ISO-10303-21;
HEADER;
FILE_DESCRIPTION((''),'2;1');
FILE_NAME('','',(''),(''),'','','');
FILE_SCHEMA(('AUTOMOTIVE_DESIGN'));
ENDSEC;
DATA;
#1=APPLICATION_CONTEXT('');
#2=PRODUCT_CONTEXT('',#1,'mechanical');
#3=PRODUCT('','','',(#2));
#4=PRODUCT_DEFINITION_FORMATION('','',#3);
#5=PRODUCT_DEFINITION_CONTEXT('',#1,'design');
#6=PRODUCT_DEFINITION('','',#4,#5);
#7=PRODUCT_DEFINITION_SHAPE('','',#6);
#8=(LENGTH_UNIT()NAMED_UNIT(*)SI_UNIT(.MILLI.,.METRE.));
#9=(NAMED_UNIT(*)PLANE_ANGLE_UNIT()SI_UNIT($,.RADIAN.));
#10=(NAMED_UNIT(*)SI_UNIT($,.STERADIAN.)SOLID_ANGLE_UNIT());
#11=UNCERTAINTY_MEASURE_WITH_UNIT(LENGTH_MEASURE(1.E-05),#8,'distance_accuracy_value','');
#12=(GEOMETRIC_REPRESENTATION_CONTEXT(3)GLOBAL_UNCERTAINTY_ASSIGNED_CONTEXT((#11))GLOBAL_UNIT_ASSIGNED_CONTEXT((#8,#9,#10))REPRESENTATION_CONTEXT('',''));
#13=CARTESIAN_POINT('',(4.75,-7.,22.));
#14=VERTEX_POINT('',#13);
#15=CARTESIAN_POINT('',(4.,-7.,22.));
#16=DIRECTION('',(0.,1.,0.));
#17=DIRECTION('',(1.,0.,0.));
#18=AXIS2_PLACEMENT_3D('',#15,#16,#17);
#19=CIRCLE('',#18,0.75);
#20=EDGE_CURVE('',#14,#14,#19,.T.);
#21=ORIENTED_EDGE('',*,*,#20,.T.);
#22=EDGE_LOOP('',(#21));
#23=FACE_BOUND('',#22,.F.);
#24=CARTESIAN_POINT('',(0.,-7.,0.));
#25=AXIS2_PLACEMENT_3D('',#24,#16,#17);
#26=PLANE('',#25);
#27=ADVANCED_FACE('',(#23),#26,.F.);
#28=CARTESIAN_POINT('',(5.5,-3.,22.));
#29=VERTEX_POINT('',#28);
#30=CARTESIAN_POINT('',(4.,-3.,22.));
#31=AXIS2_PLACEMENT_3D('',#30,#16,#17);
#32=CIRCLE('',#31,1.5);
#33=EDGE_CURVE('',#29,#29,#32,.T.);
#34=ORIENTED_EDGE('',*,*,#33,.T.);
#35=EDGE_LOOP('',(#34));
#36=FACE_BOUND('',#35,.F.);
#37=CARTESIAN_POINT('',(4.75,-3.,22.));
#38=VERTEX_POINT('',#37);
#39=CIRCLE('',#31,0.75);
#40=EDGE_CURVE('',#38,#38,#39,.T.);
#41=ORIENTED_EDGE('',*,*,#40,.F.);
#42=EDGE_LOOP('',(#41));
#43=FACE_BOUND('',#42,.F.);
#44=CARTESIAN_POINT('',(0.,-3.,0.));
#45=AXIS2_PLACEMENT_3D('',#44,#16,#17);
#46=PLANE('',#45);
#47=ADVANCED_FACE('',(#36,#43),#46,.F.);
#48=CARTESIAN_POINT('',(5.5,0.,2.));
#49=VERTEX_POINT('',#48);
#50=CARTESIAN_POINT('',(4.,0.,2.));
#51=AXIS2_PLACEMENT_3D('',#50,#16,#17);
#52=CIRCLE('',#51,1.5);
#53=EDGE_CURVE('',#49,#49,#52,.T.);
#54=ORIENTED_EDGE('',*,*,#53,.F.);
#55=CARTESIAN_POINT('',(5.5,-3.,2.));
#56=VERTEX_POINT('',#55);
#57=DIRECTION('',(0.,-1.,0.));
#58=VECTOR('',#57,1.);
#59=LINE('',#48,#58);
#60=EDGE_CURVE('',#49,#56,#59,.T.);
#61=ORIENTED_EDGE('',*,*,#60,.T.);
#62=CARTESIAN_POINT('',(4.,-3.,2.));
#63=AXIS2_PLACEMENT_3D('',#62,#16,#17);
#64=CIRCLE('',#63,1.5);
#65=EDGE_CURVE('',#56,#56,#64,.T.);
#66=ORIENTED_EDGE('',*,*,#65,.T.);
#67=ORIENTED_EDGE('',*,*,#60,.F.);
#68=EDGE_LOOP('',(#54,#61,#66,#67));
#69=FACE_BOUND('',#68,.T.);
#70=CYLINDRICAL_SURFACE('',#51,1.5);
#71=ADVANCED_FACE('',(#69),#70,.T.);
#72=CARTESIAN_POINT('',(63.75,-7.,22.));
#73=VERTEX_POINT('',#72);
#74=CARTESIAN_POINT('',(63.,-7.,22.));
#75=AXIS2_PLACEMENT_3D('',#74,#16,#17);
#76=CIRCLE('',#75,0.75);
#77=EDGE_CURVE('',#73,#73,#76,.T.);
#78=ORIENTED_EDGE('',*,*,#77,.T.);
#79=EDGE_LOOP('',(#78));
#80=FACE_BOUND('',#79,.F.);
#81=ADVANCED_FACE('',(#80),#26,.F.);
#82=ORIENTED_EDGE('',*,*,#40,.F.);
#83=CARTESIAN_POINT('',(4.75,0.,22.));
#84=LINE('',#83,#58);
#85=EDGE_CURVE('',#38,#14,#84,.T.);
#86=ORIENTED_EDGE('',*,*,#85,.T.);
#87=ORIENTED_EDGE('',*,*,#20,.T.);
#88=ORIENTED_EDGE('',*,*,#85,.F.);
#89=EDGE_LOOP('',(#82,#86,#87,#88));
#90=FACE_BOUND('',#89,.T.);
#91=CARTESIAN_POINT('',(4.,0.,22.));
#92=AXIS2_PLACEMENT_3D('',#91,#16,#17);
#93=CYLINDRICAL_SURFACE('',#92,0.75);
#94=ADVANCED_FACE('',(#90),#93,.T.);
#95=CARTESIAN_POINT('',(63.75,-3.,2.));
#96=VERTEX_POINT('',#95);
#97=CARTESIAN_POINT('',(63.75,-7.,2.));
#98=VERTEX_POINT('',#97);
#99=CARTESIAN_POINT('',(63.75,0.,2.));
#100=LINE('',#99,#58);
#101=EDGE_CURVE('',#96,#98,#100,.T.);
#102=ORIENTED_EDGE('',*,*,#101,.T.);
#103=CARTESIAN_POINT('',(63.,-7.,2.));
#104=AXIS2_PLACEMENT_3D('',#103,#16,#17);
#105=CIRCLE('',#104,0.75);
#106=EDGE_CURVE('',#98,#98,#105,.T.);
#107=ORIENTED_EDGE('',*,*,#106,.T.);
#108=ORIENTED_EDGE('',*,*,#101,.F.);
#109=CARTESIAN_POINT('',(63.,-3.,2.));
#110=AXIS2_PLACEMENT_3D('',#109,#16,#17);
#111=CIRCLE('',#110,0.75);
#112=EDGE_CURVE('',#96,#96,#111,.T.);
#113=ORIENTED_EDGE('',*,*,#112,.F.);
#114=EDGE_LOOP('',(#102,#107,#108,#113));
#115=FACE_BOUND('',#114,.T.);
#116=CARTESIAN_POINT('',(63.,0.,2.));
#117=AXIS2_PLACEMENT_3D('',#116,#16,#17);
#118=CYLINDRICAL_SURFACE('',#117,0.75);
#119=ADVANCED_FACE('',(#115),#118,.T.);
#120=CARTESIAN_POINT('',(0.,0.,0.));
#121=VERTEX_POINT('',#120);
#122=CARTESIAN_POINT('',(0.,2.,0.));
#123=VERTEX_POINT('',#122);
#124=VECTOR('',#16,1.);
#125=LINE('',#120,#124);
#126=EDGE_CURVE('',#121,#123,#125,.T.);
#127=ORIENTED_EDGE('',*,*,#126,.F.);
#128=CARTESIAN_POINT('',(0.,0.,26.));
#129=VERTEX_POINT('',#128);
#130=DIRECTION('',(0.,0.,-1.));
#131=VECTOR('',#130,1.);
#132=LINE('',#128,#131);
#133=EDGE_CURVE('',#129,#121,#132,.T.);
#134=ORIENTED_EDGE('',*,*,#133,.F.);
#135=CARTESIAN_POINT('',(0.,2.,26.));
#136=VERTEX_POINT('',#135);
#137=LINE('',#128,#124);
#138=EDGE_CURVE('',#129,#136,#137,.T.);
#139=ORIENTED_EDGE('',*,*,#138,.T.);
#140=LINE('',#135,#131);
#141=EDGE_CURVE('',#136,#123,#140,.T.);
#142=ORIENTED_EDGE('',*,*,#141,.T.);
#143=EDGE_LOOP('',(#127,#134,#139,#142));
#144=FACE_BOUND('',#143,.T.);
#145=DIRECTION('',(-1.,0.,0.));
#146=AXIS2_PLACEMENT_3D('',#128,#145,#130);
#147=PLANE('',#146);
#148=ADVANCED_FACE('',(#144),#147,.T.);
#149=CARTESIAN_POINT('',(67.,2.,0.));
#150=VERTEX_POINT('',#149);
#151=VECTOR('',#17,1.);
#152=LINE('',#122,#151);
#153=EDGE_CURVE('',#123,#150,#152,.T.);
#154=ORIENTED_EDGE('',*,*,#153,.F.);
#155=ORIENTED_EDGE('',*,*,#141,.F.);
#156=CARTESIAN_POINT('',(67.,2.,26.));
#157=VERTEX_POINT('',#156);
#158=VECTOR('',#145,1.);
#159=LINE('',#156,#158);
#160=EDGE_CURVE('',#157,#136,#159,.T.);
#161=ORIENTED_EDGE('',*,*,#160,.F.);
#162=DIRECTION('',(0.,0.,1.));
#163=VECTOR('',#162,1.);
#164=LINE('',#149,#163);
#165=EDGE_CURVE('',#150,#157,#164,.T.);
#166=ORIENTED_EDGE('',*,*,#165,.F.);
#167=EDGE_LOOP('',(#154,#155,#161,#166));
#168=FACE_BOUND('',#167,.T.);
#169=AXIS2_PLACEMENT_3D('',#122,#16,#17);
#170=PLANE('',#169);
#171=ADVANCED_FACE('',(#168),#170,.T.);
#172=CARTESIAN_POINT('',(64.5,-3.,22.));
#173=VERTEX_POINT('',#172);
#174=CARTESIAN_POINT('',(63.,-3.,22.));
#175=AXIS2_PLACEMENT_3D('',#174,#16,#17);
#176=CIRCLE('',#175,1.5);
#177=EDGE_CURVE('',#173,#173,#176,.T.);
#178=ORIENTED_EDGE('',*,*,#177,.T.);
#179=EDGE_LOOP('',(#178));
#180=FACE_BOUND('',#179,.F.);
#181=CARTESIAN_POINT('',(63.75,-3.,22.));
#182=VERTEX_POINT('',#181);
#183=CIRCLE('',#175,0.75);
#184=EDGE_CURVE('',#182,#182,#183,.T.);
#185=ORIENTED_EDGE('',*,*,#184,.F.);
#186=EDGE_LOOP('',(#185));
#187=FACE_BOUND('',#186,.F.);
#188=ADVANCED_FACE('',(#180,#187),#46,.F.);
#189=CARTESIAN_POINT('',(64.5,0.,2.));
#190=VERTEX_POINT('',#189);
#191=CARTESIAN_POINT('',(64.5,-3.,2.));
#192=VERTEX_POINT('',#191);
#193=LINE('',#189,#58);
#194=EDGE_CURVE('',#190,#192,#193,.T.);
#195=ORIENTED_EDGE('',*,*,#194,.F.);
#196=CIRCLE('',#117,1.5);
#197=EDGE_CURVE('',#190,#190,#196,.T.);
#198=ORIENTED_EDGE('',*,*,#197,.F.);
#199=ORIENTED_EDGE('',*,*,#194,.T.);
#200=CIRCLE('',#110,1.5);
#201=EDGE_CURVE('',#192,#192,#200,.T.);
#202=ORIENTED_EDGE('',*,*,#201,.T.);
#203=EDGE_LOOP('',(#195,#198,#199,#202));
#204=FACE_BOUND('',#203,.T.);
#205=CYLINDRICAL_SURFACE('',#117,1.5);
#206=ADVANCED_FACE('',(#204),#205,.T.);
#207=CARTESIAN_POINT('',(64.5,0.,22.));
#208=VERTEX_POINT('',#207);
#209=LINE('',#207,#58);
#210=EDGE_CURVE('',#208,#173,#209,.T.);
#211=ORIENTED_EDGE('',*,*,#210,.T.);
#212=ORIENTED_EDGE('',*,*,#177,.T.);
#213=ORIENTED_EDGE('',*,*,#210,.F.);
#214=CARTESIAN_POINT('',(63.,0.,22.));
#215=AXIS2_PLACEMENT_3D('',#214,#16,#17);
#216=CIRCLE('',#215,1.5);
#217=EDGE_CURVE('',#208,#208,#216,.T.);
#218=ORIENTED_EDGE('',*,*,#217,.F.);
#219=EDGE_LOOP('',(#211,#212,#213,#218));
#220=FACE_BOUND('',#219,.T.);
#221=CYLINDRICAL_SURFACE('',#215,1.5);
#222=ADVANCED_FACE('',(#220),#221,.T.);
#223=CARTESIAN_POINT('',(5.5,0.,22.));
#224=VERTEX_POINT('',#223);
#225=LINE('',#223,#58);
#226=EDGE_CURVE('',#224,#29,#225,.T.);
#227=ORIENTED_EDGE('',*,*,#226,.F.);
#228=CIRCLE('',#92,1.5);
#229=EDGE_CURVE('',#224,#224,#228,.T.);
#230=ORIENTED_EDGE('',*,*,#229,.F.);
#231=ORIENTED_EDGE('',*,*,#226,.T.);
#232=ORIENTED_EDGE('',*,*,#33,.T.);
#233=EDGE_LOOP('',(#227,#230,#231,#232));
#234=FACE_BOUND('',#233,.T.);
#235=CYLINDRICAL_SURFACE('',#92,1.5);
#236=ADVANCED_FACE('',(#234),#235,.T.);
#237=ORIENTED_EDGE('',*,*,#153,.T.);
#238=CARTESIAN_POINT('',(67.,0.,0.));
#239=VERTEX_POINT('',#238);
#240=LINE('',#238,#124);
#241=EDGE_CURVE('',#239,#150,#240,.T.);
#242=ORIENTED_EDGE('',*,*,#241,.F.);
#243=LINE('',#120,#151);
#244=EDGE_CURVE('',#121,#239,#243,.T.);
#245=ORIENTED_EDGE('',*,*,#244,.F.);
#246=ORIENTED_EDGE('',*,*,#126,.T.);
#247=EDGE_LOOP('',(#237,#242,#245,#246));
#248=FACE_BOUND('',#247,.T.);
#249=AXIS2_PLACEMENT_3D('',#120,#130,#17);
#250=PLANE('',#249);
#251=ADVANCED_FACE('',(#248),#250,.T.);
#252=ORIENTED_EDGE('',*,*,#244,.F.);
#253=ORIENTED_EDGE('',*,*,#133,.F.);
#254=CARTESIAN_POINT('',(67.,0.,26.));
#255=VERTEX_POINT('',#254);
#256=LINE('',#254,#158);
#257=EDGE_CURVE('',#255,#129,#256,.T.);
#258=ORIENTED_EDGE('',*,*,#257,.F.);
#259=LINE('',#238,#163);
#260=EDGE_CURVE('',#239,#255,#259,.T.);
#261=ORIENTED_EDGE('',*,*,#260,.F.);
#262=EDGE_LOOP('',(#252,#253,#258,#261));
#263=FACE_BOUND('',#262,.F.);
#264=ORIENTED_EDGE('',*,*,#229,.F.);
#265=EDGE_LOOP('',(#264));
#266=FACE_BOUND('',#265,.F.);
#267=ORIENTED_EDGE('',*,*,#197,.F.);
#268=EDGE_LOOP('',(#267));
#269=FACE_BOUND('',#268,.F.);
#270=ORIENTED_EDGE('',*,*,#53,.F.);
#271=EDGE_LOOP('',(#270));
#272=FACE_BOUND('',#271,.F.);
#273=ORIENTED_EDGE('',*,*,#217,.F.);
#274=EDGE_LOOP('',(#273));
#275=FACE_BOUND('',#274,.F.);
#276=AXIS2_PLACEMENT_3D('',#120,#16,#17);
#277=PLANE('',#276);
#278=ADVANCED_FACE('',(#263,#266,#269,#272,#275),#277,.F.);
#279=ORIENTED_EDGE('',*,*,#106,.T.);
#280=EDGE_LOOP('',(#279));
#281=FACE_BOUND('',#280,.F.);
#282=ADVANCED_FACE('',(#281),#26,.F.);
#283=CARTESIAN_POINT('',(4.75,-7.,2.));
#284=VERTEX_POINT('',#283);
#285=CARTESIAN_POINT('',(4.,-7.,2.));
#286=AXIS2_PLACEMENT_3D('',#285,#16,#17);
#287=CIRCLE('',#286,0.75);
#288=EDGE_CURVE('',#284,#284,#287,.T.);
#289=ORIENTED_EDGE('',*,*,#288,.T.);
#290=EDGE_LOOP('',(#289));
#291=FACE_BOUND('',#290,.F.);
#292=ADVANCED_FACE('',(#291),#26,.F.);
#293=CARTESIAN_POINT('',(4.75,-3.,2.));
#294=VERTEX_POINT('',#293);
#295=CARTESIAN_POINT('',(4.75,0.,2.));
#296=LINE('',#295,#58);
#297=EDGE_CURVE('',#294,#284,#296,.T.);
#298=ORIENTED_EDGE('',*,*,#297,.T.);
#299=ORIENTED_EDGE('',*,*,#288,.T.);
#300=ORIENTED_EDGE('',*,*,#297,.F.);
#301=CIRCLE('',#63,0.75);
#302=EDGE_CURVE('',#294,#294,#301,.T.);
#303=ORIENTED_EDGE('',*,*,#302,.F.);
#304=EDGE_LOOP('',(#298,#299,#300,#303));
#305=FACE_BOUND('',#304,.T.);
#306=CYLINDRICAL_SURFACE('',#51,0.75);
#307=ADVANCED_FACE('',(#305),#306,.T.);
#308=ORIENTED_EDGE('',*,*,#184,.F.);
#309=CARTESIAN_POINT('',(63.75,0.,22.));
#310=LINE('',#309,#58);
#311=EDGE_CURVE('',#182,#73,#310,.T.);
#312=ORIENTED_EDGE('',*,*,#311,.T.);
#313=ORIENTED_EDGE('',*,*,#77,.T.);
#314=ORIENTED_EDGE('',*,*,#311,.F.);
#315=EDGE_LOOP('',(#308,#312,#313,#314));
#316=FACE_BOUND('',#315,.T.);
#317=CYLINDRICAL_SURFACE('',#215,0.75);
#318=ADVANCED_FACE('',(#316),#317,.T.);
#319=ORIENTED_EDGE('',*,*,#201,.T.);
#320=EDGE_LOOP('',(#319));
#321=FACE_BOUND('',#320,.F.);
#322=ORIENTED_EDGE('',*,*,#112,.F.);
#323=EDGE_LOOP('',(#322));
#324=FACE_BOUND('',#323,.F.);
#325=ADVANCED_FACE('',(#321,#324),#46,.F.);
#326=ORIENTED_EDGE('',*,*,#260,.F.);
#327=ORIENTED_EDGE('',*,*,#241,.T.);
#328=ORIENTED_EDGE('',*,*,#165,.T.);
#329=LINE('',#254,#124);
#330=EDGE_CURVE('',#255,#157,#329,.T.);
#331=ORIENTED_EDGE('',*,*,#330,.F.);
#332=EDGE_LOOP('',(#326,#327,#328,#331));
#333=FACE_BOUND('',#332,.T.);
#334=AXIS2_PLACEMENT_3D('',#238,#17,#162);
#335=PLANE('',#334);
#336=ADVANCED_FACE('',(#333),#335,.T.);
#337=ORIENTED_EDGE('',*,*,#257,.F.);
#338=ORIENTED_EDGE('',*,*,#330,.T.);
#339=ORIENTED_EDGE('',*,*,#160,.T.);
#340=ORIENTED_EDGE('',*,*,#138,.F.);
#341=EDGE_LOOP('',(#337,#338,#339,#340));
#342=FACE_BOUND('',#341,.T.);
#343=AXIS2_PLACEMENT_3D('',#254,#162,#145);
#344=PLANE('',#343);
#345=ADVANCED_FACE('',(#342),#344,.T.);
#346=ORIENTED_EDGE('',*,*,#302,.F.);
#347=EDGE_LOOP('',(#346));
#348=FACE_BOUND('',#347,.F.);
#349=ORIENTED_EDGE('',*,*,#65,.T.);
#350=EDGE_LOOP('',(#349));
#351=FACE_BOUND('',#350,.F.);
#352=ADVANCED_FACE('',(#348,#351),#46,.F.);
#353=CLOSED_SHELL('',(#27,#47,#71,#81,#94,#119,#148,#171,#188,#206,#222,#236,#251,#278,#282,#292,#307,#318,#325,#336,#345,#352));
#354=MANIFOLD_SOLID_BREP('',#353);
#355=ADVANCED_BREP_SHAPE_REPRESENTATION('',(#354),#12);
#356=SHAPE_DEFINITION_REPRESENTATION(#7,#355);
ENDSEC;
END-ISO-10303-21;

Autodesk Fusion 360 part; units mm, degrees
sketch "Sketch1" plane through (0, 0, 0) normal (0, 1, 0) x (1, 0, 0)
  line L0 (0, 0) -> (67, 0)
  line L1 (67, 0) -> (67, -26)
  line L2 (67, -26) -> (0, -26)
  line L3 (0, -26) -> (0, 0)
  dimension "d1" = 67
  dimension "d2" = 26
extrude "Extrude1" add sketch "Sketch1" along normal blind 2
sketch "Sketch2" plane through (0, 0, 0) normal (0, 1, 0) x (1, 0, 0)
  circle A0 centre (4, -2) radius 1.5
  circle A1 centre (63, -2) radius 1.5
  circle A2 centre (4, -22) radius 1.5
  circle A3 centre (63, -22) radius 1.5
  dimension "d5" = 3
  dimension "d6" = 3
  dimension "d7" = 3
  dimension "d8" = 3
extrude "Extrude2" add sketch "Sketch2" against normal blind 3
sketch "Sketch3" plane through (0, 0, 0) normal (0, 1, 0) x (1, 0, 0)
  circle A0 centre (4, -22) radius 0.75
  circle A1 centre (4, -2) radius 0.75
  circle A2 centre (63, -22) radius 0.75
  circle A3 centre (63, -2) radius 0.75
  dimension "d11" = 1.5
  dimension "d12" = 1.5
  dimension "d13" = 1.5
  dimension "d14" = 1.5
extrude "Extrude3" add sketch "Sketch3" against normal blind 7 contours A0
sketch "Sketch4" plane through (0, 0, 0) normal (0, 1, 0) x (1, 0, 0)
  circle A0 centre (4, -2) radius 0.75
  dimension "d17" = 1.5
extrude "Extrude4" add sketch "Sketch4" against normal blind 7
sketch "Sketch5" plane through (0, 0, 0) normal (0, 1, 0) x (1, 0, 0)
  circle A0 centre (63, -22) radius 0.75
  dimension "d20" = 1.5
extrude "Extrude5" add sketch "Sketch5" against normal blind 7
sketch "Sketch6" plane through (0, 0, 0) normal (0, 1, 0) x (1, 0, 0)
  circle A0 centre (63, -2) radius 0.75
  dimension "d23" = 1.5
extrude "Extrude6" add sketch "Sketch6" against normal blind 7
